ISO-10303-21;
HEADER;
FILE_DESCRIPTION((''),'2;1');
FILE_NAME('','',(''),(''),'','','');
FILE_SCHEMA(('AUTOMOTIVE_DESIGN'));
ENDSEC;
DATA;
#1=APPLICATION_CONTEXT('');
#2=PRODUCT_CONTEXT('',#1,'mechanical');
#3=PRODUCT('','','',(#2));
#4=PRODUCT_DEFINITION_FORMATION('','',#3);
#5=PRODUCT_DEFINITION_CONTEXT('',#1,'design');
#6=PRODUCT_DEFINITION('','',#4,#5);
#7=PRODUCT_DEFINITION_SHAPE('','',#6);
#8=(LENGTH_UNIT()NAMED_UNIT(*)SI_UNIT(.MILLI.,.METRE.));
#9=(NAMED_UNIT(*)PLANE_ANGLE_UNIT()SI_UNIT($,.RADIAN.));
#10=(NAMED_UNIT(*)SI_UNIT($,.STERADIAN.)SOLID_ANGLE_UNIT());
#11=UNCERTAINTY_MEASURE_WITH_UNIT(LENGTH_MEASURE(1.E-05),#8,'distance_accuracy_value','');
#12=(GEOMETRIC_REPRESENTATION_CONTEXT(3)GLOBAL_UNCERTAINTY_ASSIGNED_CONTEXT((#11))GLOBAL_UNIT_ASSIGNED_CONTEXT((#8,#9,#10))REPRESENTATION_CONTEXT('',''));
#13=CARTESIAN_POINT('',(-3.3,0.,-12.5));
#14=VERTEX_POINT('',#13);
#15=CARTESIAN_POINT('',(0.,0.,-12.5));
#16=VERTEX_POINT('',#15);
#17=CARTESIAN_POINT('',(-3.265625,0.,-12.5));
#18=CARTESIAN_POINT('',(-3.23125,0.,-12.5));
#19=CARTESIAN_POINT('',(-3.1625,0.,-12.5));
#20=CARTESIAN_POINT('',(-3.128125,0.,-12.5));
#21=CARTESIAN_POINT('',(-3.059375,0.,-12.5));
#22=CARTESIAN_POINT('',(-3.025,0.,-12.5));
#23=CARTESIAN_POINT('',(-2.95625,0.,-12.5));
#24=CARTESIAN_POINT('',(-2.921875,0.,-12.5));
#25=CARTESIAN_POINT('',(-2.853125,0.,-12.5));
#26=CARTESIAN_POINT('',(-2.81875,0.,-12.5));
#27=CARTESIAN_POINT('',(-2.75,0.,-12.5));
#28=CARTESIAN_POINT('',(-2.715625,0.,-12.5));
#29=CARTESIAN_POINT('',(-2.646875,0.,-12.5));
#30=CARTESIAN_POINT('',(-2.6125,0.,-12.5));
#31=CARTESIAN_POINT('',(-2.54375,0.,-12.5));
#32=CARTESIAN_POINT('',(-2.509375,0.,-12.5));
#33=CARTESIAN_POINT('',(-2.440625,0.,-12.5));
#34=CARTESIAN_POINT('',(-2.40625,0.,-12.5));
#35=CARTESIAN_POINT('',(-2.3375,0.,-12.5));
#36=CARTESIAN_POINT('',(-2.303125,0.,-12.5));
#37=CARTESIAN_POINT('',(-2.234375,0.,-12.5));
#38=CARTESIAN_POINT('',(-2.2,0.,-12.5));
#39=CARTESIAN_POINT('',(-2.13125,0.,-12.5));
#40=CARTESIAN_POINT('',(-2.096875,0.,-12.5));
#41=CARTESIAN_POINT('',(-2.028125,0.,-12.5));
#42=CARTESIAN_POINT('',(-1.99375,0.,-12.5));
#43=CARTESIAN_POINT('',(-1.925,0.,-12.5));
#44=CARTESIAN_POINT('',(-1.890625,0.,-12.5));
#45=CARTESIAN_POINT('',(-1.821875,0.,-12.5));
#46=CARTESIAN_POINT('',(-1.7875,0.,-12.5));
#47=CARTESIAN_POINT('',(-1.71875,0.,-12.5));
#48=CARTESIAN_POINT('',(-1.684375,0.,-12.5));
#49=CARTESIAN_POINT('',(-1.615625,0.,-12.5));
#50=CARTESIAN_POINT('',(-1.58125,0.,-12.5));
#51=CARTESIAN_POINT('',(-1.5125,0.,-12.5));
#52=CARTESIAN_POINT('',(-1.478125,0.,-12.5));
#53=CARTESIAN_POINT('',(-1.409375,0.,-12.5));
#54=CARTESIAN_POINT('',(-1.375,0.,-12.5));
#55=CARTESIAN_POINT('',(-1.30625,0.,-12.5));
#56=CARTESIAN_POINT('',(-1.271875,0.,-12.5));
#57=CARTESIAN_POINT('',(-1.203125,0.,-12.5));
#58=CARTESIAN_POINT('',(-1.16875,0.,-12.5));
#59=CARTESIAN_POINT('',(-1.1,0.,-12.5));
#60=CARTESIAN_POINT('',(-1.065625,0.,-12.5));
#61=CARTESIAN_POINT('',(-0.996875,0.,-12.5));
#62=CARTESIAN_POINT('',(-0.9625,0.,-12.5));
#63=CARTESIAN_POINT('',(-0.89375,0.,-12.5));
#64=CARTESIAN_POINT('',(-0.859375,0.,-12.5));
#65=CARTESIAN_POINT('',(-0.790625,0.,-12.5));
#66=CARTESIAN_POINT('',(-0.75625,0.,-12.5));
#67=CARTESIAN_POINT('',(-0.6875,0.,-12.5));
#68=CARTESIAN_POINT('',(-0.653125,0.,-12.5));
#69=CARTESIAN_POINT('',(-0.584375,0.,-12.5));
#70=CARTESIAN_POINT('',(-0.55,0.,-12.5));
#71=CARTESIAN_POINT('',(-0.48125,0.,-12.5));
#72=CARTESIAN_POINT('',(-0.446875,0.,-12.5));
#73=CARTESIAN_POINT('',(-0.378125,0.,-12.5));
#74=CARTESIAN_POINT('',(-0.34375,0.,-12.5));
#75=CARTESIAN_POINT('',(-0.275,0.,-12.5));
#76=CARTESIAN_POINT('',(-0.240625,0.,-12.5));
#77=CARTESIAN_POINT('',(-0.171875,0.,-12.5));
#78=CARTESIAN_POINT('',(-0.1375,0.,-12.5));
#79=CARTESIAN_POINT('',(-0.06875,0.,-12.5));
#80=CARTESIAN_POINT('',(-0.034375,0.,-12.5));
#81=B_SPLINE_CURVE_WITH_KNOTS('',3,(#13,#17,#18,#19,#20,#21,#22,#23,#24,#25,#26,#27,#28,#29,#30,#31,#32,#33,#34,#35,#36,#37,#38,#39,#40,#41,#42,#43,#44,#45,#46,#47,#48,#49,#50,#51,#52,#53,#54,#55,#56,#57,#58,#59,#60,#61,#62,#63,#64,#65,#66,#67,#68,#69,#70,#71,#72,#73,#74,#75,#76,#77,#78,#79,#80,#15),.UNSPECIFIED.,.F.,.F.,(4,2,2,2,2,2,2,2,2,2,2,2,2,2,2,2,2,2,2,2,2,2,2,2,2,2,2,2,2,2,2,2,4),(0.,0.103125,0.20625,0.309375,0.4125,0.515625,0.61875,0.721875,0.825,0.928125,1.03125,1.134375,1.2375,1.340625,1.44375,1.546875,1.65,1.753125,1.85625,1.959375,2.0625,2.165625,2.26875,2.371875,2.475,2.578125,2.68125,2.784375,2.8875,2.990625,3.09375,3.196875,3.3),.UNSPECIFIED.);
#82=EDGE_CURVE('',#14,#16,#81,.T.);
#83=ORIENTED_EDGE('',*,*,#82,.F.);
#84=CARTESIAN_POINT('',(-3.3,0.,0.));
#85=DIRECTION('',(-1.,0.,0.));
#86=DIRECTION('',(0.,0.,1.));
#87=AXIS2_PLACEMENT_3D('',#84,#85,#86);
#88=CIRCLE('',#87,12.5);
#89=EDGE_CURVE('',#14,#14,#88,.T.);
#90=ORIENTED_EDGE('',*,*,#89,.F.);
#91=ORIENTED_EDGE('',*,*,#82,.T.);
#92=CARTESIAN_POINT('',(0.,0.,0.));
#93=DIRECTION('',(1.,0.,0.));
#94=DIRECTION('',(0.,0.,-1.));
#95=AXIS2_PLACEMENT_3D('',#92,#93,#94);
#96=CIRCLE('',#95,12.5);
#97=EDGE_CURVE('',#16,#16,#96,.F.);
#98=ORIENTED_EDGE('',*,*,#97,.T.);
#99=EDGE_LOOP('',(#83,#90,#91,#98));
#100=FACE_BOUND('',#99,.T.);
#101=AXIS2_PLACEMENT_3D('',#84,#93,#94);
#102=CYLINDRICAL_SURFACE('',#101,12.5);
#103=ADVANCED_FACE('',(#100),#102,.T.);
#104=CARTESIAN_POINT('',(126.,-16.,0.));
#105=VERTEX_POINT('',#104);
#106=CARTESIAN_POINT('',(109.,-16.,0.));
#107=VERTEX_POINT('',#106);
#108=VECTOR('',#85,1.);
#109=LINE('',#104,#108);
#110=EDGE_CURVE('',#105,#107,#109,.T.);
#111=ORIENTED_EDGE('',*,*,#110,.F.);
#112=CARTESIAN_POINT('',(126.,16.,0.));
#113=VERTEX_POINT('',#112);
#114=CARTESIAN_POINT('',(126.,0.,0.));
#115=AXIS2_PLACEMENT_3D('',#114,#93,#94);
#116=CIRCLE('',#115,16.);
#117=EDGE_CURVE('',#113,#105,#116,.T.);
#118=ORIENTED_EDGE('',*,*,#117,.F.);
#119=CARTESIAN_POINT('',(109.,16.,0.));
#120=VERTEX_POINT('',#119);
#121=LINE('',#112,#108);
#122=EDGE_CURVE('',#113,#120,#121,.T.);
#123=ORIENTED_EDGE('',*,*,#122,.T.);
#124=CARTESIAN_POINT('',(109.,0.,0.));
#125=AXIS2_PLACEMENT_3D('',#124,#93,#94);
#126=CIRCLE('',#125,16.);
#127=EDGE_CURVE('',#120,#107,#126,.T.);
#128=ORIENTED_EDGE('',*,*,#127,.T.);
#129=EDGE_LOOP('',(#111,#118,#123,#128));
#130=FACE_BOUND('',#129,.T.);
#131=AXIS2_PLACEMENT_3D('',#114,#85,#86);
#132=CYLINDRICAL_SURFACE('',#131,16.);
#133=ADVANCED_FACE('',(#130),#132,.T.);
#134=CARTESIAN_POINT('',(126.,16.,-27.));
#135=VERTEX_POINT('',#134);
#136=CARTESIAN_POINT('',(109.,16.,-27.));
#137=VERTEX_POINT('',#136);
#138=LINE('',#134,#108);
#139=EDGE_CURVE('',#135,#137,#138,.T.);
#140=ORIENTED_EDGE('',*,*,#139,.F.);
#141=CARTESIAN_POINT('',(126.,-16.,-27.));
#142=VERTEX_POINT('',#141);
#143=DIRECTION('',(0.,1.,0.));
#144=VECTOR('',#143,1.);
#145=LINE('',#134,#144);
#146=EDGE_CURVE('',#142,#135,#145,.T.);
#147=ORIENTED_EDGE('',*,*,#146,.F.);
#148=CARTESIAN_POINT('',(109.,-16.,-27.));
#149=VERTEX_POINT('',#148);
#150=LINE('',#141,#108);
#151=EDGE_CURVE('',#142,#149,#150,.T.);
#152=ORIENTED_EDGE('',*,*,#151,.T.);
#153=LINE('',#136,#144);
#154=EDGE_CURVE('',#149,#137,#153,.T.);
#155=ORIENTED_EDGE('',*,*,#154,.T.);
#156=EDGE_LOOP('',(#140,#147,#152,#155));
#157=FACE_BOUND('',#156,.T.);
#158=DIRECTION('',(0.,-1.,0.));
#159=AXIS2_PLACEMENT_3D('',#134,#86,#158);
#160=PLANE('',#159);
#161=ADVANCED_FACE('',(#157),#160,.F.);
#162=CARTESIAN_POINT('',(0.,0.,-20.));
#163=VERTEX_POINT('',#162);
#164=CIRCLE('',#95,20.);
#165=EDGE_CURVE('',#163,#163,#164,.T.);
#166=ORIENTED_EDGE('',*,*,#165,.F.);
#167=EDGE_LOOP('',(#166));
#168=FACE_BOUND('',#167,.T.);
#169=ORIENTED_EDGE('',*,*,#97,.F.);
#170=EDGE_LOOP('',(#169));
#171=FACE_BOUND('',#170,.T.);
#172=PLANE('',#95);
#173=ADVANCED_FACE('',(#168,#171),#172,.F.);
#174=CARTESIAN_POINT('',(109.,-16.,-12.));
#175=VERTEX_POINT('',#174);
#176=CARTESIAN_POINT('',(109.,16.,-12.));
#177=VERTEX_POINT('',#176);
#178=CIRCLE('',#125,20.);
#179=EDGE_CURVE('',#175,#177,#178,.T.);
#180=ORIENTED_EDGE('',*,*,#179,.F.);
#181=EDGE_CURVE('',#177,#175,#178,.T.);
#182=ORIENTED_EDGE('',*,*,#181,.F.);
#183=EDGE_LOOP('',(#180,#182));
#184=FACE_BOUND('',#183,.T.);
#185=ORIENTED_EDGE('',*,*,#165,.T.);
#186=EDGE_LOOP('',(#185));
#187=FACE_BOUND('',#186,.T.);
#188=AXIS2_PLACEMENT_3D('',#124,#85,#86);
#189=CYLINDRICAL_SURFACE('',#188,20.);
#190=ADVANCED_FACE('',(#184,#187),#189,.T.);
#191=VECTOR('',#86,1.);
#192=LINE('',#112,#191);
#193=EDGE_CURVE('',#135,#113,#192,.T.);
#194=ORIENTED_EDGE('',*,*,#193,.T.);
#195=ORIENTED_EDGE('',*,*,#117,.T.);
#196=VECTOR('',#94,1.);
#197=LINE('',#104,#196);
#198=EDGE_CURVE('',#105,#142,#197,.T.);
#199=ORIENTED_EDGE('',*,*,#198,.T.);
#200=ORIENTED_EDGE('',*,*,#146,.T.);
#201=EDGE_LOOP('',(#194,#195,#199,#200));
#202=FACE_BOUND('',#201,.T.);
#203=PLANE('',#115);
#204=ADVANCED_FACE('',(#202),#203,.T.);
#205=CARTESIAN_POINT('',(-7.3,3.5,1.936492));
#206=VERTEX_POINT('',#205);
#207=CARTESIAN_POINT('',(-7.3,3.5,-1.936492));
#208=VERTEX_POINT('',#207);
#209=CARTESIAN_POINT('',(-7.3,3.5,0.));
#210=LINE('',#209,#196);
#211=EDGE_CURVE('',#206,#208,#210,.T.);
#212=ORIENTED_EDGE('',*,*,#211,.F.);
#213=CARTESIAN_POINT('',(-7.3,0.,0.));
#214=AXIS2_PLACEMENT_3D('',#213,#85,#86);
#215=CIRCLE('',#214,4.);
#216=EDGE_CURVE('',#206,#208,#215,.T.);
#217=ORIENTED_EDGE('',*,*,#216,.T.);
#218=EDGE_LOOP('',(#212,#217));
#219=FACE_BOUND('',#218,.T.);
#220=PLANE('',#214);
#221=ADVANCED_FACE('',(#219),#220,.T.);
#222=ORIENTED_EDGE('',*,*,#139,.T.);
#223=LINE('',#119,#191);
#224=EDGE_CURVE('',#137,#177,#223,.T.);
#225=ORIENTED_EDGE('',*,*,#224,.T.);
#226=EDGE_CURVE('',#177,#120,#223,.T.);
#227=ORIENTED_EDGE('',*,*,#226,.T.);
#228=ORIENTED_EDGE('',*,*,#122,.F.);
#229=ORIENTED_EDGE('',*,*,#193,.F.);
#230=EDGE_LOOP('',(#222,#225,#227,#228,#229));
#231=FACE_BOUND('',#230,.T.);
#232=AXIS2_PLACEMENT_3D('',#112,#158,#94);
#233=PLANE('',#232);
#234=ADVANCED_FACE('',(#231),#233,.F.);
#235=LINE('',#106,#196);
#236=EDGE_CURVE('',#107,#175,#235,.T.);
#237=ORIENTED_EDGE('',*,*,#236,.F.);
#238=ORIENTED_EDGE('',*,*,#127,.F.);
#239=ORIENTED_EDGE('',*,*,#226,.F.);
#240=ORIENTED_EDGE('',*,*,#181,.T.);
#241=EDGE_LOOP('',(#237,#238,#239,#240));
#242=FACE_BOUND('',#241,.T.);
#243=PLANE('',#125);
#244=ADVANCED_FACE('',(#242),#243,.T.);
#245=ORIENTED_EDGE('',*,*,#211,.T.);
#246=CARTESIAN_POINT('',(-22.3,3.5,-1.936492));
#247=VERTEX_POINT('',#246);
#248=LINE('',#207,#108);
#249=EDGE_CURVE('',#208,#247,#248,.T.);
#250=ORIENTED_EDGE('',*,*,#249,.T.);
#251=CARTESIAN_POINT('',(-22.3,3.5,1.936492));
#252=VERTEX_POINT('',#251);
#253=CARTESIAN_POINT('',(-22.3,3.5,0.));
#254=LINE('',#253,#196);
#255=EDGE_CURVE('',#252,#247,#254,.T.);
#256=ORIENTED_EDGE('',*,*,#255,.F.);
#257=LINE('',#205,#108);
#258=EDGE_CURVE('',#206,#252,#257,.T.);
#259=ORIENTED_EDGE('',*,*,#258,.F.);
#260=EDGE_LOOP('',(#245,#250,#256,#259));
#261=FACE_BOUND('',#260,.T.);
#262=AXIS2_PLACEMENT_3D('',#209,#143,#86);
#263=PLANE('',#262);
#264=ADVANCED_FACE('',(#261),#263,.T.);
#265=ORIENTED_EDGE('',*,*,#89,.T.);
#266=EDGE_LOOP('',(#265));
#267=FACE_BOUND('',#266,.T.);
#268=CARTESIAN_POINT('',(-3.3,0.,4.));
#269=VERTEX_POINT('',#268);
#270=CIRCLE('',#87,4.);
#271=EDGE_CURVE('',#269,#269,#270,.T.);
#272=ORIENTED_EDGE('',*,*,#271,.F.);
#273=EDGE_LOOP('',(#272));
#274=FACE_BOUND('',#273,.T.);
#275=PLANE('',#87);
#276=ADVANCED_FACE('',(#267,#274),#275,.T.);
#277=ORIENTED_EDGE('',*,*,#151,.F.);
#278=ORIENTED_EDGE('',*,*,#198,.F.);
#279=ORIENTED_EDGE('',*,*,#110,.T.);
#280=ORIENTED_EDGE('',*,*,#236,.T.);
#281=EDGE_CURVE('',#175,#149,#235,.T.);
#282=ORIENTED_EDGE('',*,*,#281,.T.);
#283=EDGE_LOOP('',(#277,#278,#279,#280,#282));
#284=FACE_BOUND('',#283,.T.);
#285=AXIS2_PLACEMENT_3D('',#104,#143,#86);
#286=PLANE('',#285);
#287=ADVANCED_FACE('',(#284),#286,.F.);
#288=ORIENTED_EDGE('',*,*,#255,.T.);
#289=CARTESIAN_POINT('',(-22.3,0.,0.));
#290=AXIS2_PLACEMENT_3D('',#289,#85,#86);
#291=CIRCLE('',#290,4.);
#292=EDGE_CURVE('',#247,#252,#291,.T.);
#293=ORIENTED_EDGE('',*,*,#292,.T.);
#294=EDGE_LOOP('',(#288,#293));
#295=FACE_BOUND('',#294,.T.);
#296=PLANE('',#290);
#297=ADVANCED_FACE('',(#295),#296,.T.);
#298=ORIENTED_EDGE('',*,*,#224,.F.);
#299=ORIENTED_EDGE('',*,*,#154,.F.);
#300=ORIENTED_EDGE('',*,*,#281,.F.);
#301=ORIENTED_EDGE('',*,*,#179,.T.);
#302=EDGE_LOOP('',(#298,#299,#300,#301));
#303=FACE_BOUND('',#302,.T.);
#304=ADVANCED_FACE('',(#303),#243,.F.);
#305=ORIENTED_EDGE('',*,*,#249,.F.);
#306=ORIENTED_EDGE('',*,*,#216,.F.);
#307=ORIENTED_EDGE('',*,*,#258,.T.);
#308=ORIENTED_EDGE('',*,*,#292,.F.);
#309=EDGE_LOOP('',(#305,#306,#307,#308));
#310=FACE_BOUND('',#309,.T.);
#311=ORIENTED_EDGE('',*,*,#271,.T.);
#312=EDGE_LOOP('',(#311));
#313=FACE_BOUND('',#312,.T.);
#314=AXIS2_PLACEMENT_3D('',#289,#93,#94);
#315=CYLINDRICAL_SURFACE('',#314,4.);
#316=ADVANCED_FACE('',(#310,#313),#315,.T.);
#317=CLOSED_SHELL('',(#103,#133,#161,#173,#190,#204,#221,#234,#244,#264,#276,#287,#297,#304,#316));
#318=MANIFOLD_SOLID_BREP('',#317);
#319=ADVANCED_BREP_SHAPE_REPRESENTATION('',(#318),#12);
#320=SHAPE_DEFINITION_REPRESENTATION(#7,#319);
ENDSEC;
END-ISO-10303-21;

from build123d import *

# Parameters (mm, degrees)
SKETCH_2_R          = 20
EXTRUDE_1_DEPTH     = 109
EXTRUDE_2_DEPTH     = 17
SKETCH_5_R          = 12.5
EXTRUDE_3_DEPTH     = 3.3
SKETCH_6_R          = 4
EXTRUDE_4_DEPTH     = 19
CUT_EXTRUDE_START   = -15
CUT_EXTRUDE_1_DEPTH = 15


with BuildPart() as part:
    # 草图2 → 凸台-拉伸1 (new body)
    with BuildSketch(Plane(origin=(0, 0, 0), x_dir=(0, 0, -1), z_dir=(1, 0, 0))):
        Circle(SKETCH_2_R)
    extrude(amount=EXTRUDE_1_DEPTH)

    # 草图4 → 凸台-拉伸2 (add)
    with BuildSketch(Plane(origin=(109, 0, 0), x_dir=(0, 0, -1), z_dir=(1, 0, 0))):
        with BuildLine():
            Line((0, 16), (27, 16))
            Line((27, 16), (27, -16))
            Line((27, -16), (0, -16))
            ThreePointArc((0, -16), (-16, 0), (0, 16))
        make_face()
    extrude(amount=EXTRUDE_2_DEPTH)

    # 草图5 → 凸台-拉伸3 (add)
    with BuildSketch(Plane.ZY):
        with Locations(Location((0, 0, 0), (0, 0, 180))):
            Circle(SKETCH_5_R)
    extrude(amount=EXTRUDE_3_DEPTH)

    # 草图6 → 凸台-拉伸4 (add)
    with BuildSketch(Plane.ZY.offset(3.3)):
        with Locations(Location((0, 0, 0), (0, 0, 180))):
            Circle(SKETCH_6_R)
    extrude(amount=EXTRUDE_4_DEPTH)

    # 草图7 → 切除-拉伸1 (cut)
    with BuildSketch(Plane.ZY.offset(22.3).offset(CUT_EXTRUDE_START)):
        with BuildLine():
            Line((-1.936491673, 3.5), (1.936491673, 3.5))
            ThreePointArc((1.936491673, 3.5), (0, 4), (-1.936491673, 3.5))
        make_face()
    extrude(amount=CUT_EXTRUDE_1_DEPTH, mode=Mode.SUBTRACT)


solid = part.part
